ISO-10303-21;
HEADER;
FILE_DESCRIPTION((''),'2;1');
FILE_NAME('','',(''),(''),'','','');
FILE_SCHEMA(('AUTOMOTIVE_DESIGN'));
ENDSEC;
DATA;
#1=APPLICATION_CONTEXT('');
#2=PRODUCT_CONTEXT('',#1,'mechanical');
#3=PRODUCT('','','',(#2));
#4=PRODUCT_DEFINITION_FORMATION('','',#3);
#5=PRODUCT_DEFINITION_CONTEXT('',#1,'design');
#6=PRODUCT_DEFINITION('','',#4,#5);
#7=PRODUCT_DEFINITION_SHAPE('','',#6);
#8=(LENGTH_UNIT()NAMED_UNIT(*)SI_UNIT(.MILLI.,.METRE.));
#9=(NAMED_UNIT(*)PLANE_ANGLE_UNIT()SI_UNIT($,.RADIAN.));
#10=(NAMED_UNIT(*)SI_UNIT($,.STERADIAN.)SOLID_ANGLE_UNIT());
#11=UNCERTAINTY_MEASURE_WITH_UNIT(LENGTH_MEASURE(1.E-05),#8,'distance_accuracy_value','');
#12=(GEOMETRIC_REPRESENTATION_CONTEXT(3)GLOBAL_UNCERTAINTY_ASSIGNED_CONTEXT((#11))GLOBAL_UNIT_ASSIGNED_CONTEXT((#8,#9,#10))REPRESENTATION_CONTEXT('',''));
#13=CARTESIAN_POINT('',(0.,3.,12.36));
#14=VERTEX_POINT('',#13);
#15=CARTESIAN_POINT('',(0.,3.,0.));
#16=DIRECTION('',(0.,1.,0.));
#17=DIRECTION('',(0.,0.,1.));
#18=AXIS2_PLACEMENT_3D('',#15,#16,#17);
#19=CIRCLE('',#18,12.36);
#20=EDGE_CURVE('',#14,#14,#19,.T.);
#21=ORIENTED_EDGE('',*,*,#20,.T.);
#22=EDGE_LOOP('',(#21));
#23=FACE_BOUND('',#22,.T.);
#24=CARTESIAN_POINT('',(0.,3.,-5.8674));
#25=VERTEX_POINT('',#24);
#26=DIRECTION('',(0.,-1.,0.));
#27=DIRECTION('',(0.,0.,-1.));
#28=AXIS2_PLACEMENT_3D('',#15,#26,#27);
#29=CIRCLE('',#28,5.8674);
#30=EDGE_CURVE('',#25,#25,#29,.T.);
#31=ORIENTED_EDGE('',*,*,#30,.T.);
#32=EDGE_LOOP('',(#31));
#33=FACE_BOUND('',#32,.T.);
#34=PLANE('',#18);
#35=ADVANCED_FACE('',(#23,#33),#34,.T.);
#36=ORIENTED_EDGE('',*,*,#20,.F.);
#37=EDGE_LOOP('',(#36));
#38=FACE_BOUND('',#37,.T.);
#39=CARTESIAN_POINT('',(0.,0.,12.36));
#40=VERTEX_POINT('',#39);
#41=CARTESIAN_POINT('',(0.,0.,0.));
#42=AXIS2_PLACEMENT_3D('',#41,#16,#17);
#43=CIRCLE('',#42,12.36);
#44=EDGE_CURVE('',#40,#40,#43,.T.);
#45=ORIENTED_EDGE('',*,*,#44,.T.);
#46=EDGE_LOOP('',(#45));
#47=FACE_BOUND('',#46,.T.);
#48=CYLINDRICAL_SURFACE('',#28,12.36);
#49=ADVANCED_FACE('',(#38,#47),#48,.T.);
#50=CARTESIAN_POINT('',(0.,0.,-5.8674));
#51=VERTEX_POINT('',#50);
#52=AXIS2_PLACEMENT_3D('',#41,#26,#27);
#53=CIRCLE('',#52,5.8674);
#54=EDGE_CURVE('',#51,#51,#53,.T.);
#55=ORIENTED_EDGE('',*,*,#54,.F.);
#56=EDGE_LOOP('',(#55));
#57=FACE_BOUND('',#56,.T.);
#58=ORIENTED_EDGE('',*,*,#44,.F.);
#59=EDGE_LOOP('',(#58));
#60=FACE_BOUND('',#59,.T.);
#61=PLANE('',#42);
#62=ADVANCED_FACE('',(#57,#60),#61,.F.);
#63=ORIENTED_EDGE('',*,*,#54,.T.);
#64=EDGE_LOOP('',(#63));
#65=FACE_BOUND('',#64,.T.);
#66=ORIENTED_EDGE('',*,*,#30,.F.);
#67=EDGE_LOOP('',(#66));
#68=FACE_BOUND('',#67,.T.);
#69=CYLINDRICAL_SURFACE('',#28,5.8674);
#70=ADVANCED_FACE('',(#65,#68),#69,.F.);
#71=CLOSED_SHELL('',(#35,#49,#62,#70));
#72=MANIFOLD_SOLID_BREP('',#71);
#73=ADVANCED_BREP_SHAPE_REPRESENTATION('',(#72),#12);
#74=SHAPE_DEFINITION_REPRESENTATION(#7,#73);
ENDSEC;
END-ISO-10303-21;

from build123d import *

# Parameters (mm, degrees)
SKETCH1_R           = 12.36
BOSS_EXTRUDE1_DEPTH = 3
SKETCH2_R           = 5.8674
CUT_EXTRUDE1_DEPTH  = 18.735253029


with BuildPart() as part:
    # Sketch1 → Boss-Extrude1 (new body)
    with BuildSketch(Plane(origin=(0, 0, 0), x_dir=(1, 0, 0), z_dir=(0, 1, 0))):
        with Locations(Location((0, 0, 0), (0, 0, 270))):
            Circle(SKETCH1_R)
    extrude(amount=BOSS_EXTRUDE1_DEPTH)

    # Sketch2 → Cut-Extrude1 (cut, through all)
    with BuildSketch(Plane(origin=(0, 0, 0), x_dir=(-1, 0, 0), z_dir=(0, -1, 0))):
        with Locations(Location((0, 0, 0), (0, 0, 90))):
            Circle(SKETCH2_R)
    extrude(amount=-CUT_EXTRUDE1_DEPTH, mode=Mode.SUBTRACT)


solid = part.part
